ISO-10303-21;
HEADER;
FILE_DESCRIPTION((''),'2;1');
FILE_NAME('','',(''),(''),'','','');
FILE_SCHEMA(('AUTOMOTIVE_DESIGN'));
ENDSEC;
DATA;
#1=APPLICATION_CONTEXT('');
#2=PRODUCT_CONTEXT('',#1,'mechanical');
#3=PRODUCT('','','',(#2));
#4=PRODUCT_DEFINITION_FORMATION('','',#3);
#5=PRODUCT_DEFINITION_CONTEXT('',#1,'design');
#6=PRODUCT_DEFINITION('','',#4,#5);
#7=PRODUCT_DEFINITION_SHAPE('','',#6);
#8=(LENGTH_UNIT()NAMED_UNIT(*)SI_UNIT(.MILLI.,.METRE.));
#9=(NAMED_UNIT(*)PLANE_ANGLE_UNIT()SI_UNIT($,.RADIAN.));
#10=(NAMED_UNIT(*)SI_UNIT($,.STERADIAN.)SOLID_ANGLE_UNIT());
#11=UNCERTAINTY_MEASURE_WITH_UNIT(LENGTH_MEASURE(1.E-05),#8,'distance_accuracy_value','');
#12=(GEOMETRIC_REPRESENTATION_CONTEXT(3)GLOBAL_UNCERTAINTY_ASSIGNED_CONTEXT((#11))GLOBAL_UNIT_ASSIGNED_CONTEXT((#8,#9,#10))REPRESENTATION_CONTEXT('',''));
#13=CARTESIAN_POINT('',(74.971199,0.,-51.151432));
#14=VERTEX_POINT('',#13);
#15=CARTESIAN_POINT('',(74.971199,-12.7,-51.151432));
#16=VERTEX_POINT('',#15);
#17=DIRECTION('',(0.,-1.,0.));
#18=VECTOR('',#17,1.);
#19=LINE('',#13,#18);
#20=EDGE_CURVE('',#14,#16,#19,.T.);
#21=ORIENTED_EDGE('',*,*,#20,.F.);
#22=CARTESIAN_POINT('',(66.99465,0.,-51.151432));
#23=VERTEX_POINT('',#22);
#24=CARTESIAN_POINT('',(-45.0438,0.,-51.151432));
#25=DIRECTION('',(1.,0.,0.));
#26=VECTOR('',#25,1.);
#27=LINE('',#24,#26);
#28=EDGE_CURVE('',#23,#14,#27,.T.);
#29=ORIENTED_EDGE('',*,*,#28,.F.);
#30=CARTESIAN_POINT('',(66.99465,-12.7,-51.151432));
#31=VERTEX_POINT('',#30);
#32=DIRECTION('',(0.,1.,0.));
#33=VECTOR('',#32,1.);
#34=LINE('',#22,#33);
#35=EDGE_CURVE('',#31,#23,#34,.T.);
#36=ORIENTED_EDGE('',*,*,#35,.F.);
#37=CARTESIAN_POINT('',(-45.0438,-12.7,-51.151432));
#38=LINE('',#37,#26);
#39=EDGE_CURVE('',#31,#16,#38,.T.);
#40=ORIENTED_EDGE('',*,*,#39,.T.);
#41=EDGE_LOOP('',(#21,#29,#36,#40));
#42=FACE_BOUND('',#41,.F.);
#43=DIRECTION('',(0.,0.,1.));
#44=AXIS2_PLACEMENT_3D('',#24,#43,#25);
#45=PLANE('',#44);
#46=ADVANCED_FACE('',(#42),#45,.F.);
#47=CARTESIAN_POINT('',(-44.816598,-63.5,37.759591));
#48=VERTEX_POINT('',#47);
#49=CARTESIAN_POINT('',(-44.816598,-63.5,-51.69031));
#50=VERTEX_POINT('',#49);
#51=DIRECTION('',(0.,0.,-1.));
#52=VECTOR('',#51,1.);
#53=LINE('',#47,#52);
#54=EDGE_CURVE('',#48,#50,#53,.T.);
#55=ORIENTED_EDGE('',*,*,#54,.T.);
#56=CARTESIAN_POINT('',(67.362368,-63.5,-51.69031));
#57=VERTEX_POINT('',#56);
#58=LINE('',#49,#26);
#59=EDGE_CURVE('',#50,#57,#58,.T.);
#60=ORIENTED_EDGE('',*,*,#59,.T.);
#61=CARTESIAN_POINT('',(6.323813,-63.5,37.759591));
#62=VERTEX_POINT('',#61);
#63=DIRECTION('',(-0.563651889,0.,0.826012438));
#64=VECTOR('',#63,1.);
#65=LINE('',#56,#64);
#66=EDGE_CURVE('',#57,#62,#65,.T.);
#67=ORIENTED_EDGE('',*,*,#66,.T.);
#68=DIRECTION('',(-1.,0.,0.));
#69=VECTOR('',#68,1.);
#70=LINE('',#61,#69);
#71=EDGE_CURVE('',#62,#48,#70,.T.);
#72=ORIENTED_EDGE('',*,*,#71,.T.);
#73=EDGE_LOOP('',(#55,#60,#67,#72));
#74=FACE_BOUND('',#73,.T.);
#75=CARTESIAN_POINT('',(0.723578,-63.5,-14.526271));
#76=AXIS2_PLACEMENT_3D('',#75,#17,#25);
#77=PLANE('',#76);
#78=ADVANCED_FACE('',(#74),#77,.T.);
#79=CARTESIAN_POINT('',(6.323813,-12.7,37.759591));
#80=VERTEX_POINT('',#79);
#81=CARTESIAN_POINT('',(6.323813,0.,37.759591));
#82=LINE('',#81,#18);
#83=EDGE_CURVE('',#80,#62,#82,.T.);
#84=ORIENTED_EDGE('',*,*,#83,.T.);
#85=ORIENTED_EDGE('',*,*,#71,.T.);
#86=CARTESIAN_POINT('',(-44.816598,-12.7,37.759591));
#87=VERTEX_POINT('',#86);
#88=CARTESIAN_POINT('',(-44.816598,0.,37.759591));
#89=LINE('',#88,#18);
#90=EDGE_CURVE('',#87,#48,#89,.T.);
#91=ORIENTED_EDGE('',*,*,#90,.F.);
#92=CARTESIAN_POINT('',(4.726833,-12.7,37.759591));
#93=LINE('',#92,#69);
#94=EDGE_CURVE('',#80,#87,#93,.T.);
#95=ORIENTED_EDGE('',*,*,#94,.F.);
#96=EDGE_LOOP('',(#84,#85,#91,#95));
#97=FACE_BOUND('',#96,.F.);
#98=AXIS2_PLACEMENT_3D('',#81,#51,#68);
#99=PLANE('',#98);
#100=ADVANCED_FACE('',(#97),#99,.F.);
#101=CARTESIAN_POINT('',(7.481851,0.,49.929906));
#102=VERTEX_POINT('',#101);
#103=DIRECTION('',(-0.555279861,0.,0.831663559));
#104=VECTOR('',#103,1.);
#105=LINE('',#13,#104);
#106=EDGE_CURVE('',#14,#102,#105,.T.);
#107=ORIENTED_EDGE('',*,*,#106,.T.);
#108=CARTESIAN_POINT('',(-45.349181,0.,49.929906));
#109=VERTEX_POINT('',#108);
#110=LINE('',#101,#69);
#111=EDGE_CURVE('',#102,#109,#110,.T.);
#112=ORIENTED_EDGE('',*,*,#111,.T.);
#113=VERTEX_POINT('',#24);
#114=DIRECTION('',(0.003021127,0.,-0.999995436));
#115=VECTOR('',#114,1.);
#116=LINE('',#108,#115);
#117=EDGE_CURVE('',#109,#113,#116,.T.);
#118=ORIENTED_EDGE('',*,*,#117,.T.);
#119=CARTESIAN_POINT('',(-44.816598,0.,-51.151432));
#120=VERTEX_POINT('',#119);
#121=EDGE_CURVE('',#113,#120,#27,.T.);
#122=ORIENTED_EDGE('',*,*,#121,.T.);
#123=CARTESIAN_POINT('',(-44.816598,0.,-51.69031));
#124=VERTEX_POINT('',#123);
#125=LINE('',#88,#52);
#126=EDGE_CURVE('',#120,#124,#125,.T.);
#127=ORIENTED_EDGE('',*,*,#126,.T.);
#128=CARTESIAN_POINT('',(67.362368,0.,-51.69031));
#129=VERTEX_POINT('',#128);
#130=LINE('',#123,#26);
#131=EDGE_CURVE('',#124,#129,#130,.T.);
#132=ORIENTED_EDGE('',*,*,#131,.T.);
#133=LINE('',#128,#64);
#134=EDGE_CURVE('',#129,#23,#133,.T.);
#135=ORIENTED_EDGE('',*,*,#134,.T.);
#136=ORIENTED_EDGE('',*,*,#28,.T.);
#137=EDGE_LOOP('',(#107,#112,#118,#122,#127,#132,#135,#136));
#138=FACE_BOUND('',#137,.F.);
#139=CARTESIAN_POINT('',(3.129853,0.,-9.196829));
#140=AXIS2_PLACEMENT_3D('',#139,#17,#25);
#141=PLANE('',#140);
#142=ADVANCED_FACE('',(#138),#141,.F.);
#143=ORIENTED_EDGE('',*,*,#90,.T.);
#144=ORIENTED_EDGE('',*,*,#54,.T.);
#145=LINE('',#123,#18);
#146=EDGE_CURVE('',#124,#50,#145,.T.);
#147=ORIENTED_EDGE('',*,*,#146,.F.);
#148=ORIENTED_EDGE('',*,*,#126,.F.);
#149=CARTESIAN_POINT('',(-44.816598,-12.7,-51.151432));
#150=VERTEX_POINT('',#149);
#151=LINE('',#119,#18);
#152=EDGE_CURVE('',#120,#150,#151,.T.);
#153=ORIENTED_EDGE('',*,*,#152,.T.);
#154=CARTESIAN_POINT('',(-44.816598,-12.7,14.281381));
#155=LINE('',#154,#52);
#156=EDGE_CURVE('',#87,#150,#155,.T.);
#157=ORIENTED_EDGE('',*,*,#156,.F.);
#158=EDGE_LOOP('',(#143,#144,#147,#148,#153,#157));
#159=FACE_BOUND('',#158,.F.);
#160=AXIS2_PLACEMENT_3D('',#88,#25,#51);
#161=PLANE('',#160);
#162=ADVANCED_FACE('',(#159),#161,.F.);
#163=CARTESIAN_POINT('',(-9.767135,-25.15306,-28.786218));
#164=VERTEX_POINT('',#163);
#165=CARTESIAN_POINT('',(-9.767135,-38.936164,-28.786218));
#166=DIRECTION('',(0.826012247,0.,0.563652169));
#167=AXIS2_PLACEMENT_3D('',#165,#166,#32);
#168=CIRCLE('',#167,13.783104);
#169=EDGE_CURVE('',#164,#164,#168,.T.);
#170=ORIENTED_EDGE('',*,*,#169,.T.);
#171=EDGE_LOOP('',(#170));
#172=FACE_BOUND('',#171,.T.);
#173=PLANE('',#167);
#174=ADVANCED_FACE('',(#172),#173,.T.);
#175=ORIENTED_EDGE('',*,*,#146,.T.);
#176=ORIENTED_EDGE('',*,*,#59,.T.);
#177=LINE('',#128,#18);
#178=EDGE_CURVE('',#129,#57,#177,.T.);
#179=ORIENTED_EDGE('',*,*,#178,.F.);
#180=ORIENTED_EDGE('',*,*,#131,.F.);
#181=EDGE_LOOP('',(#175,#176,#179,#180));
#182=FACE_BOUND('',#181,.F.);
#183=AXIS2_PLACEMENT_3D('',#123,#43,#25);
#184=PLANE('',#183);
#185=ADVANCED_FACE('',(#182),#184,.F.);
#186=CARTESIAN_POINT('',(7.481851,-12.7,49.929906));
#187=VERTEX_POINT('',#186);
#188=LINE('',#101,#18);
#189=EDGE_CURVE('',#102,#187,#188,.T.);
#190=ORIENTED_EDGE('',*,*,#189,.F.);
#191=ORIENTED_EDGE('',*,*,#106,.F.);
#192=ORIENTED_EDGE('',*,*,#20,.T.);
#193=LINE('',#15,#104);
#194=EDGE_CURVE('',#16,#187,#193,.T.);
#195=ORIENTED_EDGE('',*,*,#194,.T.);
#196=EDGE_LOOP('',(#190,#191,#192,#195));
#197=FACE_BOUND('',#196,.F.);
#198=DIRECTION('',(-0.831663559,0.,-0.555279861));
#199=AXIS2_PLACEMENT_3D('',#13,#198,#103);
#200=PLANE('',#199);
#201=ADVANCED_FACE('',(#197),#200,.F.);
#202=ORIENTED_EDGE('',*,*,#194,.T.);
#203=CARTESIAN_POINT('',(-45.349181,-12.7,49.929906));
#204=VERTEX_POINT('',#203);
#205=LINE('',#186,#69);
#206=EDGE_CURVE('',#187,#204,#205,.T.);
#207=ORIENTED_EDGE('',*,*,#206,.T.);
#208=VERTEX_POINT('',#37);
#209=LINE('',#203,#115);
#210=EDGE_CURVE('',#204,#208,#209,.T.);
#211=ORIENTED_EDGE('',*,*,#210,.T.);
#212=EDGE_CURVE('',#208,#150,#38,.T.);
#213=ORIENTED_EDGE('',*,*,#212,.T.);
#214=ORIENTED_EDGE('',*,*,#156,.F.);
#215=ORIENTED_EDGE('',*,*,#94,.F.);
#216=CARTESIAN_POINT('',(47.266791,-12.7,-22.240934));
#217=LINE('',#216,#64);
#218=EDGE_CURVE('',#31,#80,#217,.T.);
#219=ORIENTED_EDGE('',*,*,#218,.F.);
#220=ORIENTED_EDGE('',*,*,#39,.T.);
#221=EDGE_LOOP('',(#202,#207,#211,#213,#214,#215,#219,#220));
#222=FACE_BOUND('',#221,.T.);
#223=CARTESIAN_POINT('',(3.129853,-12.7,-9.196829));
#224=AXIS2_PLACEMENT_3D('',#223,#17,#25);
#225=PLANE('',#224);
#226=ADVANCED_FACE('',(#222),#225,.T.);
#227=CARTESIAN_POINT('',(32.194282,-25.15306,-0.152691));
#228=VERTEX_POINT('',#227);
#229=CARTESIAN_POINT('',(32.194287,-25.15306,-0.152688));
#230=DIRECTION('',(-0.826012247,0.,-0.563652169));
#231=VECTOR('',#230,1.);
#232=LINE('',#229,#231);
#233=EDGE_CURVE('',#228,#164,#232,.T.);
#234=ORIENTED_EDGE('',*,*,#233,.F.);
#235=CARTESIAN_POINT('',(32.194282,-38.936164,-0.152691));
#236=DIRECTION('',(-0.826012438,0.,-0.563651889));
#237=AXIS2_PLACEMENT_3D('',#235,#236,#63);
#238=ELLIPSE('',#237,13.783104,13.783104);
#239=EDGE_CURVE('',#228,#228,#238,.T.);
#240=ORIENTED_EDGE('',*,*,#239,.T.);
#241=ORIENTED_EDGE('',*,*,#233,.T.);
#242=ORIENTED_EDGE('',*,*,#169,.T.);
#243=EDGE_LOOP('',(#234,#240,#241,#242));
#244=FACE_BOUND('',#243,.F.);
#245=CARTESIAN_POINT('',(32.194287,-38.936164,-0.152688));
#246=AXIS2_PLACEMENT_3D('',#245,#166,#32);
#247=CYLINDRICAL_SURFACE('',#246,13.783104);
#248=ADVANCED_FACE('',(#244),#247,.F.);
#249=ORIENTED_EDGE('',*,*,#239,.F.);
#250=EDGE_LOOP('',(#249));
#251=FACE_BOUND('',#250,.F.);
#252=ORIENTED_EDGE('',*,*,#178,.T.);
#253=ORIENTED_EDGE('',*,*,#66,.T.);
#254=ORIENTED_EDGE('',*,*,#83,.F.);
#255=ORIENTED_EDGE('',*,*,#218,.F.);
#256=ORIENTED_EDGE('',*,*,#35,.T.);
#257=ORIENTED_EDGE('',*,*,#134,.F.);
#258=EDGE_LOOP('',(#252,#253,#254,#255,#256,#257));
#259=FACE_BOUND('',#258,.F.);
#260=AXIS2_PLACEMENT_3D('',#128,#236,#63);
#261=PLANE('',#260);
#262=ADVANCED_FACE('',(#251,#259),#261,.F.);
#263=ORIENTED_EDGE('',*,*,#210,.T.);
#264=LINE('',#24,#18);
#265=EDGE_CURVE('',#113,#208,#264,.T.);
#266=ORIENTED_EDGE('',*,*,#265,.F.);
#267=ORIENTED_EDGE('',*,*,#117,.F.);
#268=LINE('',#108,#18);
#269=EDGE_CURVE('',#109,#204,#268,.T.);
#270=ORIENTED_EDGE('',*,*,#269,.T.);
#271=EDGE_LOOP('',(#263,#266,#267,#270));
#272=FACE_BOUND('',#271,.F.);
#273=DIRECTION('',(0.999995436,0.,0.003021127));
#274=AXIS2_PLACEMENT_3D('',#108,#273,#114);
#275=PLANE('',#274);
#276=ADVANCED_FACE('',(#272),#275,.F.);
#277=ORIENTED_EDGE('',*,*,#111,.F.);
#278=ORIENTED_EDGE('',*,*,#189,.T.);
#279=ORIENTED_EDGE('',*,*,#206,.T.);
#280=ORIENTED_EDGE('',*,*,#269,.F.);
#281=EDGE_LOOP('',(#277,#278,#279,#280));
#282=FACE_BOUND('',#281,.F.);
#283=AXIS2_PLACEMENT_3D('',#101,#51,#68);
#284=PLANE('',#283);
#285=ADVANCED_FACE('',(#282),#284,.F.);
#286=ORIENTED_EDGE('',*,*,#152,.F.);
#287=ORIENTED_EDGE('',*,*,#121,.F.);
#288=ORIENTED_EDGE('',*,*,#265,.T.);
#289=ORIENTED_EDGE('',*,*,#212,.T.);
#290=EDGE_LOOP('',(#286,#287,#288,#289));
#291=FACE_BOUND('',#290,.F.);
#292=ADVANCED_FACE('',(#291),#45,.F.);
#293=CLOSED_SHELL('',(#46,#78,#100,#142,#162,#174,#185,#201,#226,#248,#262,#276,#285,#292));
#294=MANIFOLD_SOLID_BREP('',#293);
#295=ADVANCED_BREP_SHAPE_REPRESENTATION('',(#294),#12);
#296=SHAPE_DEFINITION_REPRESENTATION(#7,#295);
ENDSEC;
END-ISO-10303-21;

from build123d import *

# Parameters (mm, degrees)
F1_DEPTH = 63.5
F3_DEPTH = 12.7
F4_R     = 13.783104
F5_DEPTH = 50.8


with BuildPart() as f1:
    # F0 (on Front) → F1 (new body)
    with BuildSketch(Plane.XZ):
        Polygon((6.323813, 37.759591), (-44.816598, 37.759591), (-44.816598, -51.69031), (67.362368, -51.69031), align=None)
    extrude(amount=F1_DEPTH)

    # F2 (on Front) → F3 (join)
    with BuildSketch(Plane.XZ):
        Polygon((-45.349181, 49.929906), (-45.0438, -51.151432), (74.971199, -51.151432), (7.481851, 49.929906), align=None)
    extrude(amount=F3_DEPTH)

    # F4 (on face) → F5 (cut)
    with BuildSketch(Plane(origin=(21.894957, 0, 14.940615), x_dir=(0, 1, 0), z_dir=(0.826012, 0, 0.563652))):
        with Locations((-38.936164, -18.272493)):
            Circle(F4_R)
    extrude(amount=-F5_DEPTH, mode=Mode.SUBTRACT)


solid = f1.part
